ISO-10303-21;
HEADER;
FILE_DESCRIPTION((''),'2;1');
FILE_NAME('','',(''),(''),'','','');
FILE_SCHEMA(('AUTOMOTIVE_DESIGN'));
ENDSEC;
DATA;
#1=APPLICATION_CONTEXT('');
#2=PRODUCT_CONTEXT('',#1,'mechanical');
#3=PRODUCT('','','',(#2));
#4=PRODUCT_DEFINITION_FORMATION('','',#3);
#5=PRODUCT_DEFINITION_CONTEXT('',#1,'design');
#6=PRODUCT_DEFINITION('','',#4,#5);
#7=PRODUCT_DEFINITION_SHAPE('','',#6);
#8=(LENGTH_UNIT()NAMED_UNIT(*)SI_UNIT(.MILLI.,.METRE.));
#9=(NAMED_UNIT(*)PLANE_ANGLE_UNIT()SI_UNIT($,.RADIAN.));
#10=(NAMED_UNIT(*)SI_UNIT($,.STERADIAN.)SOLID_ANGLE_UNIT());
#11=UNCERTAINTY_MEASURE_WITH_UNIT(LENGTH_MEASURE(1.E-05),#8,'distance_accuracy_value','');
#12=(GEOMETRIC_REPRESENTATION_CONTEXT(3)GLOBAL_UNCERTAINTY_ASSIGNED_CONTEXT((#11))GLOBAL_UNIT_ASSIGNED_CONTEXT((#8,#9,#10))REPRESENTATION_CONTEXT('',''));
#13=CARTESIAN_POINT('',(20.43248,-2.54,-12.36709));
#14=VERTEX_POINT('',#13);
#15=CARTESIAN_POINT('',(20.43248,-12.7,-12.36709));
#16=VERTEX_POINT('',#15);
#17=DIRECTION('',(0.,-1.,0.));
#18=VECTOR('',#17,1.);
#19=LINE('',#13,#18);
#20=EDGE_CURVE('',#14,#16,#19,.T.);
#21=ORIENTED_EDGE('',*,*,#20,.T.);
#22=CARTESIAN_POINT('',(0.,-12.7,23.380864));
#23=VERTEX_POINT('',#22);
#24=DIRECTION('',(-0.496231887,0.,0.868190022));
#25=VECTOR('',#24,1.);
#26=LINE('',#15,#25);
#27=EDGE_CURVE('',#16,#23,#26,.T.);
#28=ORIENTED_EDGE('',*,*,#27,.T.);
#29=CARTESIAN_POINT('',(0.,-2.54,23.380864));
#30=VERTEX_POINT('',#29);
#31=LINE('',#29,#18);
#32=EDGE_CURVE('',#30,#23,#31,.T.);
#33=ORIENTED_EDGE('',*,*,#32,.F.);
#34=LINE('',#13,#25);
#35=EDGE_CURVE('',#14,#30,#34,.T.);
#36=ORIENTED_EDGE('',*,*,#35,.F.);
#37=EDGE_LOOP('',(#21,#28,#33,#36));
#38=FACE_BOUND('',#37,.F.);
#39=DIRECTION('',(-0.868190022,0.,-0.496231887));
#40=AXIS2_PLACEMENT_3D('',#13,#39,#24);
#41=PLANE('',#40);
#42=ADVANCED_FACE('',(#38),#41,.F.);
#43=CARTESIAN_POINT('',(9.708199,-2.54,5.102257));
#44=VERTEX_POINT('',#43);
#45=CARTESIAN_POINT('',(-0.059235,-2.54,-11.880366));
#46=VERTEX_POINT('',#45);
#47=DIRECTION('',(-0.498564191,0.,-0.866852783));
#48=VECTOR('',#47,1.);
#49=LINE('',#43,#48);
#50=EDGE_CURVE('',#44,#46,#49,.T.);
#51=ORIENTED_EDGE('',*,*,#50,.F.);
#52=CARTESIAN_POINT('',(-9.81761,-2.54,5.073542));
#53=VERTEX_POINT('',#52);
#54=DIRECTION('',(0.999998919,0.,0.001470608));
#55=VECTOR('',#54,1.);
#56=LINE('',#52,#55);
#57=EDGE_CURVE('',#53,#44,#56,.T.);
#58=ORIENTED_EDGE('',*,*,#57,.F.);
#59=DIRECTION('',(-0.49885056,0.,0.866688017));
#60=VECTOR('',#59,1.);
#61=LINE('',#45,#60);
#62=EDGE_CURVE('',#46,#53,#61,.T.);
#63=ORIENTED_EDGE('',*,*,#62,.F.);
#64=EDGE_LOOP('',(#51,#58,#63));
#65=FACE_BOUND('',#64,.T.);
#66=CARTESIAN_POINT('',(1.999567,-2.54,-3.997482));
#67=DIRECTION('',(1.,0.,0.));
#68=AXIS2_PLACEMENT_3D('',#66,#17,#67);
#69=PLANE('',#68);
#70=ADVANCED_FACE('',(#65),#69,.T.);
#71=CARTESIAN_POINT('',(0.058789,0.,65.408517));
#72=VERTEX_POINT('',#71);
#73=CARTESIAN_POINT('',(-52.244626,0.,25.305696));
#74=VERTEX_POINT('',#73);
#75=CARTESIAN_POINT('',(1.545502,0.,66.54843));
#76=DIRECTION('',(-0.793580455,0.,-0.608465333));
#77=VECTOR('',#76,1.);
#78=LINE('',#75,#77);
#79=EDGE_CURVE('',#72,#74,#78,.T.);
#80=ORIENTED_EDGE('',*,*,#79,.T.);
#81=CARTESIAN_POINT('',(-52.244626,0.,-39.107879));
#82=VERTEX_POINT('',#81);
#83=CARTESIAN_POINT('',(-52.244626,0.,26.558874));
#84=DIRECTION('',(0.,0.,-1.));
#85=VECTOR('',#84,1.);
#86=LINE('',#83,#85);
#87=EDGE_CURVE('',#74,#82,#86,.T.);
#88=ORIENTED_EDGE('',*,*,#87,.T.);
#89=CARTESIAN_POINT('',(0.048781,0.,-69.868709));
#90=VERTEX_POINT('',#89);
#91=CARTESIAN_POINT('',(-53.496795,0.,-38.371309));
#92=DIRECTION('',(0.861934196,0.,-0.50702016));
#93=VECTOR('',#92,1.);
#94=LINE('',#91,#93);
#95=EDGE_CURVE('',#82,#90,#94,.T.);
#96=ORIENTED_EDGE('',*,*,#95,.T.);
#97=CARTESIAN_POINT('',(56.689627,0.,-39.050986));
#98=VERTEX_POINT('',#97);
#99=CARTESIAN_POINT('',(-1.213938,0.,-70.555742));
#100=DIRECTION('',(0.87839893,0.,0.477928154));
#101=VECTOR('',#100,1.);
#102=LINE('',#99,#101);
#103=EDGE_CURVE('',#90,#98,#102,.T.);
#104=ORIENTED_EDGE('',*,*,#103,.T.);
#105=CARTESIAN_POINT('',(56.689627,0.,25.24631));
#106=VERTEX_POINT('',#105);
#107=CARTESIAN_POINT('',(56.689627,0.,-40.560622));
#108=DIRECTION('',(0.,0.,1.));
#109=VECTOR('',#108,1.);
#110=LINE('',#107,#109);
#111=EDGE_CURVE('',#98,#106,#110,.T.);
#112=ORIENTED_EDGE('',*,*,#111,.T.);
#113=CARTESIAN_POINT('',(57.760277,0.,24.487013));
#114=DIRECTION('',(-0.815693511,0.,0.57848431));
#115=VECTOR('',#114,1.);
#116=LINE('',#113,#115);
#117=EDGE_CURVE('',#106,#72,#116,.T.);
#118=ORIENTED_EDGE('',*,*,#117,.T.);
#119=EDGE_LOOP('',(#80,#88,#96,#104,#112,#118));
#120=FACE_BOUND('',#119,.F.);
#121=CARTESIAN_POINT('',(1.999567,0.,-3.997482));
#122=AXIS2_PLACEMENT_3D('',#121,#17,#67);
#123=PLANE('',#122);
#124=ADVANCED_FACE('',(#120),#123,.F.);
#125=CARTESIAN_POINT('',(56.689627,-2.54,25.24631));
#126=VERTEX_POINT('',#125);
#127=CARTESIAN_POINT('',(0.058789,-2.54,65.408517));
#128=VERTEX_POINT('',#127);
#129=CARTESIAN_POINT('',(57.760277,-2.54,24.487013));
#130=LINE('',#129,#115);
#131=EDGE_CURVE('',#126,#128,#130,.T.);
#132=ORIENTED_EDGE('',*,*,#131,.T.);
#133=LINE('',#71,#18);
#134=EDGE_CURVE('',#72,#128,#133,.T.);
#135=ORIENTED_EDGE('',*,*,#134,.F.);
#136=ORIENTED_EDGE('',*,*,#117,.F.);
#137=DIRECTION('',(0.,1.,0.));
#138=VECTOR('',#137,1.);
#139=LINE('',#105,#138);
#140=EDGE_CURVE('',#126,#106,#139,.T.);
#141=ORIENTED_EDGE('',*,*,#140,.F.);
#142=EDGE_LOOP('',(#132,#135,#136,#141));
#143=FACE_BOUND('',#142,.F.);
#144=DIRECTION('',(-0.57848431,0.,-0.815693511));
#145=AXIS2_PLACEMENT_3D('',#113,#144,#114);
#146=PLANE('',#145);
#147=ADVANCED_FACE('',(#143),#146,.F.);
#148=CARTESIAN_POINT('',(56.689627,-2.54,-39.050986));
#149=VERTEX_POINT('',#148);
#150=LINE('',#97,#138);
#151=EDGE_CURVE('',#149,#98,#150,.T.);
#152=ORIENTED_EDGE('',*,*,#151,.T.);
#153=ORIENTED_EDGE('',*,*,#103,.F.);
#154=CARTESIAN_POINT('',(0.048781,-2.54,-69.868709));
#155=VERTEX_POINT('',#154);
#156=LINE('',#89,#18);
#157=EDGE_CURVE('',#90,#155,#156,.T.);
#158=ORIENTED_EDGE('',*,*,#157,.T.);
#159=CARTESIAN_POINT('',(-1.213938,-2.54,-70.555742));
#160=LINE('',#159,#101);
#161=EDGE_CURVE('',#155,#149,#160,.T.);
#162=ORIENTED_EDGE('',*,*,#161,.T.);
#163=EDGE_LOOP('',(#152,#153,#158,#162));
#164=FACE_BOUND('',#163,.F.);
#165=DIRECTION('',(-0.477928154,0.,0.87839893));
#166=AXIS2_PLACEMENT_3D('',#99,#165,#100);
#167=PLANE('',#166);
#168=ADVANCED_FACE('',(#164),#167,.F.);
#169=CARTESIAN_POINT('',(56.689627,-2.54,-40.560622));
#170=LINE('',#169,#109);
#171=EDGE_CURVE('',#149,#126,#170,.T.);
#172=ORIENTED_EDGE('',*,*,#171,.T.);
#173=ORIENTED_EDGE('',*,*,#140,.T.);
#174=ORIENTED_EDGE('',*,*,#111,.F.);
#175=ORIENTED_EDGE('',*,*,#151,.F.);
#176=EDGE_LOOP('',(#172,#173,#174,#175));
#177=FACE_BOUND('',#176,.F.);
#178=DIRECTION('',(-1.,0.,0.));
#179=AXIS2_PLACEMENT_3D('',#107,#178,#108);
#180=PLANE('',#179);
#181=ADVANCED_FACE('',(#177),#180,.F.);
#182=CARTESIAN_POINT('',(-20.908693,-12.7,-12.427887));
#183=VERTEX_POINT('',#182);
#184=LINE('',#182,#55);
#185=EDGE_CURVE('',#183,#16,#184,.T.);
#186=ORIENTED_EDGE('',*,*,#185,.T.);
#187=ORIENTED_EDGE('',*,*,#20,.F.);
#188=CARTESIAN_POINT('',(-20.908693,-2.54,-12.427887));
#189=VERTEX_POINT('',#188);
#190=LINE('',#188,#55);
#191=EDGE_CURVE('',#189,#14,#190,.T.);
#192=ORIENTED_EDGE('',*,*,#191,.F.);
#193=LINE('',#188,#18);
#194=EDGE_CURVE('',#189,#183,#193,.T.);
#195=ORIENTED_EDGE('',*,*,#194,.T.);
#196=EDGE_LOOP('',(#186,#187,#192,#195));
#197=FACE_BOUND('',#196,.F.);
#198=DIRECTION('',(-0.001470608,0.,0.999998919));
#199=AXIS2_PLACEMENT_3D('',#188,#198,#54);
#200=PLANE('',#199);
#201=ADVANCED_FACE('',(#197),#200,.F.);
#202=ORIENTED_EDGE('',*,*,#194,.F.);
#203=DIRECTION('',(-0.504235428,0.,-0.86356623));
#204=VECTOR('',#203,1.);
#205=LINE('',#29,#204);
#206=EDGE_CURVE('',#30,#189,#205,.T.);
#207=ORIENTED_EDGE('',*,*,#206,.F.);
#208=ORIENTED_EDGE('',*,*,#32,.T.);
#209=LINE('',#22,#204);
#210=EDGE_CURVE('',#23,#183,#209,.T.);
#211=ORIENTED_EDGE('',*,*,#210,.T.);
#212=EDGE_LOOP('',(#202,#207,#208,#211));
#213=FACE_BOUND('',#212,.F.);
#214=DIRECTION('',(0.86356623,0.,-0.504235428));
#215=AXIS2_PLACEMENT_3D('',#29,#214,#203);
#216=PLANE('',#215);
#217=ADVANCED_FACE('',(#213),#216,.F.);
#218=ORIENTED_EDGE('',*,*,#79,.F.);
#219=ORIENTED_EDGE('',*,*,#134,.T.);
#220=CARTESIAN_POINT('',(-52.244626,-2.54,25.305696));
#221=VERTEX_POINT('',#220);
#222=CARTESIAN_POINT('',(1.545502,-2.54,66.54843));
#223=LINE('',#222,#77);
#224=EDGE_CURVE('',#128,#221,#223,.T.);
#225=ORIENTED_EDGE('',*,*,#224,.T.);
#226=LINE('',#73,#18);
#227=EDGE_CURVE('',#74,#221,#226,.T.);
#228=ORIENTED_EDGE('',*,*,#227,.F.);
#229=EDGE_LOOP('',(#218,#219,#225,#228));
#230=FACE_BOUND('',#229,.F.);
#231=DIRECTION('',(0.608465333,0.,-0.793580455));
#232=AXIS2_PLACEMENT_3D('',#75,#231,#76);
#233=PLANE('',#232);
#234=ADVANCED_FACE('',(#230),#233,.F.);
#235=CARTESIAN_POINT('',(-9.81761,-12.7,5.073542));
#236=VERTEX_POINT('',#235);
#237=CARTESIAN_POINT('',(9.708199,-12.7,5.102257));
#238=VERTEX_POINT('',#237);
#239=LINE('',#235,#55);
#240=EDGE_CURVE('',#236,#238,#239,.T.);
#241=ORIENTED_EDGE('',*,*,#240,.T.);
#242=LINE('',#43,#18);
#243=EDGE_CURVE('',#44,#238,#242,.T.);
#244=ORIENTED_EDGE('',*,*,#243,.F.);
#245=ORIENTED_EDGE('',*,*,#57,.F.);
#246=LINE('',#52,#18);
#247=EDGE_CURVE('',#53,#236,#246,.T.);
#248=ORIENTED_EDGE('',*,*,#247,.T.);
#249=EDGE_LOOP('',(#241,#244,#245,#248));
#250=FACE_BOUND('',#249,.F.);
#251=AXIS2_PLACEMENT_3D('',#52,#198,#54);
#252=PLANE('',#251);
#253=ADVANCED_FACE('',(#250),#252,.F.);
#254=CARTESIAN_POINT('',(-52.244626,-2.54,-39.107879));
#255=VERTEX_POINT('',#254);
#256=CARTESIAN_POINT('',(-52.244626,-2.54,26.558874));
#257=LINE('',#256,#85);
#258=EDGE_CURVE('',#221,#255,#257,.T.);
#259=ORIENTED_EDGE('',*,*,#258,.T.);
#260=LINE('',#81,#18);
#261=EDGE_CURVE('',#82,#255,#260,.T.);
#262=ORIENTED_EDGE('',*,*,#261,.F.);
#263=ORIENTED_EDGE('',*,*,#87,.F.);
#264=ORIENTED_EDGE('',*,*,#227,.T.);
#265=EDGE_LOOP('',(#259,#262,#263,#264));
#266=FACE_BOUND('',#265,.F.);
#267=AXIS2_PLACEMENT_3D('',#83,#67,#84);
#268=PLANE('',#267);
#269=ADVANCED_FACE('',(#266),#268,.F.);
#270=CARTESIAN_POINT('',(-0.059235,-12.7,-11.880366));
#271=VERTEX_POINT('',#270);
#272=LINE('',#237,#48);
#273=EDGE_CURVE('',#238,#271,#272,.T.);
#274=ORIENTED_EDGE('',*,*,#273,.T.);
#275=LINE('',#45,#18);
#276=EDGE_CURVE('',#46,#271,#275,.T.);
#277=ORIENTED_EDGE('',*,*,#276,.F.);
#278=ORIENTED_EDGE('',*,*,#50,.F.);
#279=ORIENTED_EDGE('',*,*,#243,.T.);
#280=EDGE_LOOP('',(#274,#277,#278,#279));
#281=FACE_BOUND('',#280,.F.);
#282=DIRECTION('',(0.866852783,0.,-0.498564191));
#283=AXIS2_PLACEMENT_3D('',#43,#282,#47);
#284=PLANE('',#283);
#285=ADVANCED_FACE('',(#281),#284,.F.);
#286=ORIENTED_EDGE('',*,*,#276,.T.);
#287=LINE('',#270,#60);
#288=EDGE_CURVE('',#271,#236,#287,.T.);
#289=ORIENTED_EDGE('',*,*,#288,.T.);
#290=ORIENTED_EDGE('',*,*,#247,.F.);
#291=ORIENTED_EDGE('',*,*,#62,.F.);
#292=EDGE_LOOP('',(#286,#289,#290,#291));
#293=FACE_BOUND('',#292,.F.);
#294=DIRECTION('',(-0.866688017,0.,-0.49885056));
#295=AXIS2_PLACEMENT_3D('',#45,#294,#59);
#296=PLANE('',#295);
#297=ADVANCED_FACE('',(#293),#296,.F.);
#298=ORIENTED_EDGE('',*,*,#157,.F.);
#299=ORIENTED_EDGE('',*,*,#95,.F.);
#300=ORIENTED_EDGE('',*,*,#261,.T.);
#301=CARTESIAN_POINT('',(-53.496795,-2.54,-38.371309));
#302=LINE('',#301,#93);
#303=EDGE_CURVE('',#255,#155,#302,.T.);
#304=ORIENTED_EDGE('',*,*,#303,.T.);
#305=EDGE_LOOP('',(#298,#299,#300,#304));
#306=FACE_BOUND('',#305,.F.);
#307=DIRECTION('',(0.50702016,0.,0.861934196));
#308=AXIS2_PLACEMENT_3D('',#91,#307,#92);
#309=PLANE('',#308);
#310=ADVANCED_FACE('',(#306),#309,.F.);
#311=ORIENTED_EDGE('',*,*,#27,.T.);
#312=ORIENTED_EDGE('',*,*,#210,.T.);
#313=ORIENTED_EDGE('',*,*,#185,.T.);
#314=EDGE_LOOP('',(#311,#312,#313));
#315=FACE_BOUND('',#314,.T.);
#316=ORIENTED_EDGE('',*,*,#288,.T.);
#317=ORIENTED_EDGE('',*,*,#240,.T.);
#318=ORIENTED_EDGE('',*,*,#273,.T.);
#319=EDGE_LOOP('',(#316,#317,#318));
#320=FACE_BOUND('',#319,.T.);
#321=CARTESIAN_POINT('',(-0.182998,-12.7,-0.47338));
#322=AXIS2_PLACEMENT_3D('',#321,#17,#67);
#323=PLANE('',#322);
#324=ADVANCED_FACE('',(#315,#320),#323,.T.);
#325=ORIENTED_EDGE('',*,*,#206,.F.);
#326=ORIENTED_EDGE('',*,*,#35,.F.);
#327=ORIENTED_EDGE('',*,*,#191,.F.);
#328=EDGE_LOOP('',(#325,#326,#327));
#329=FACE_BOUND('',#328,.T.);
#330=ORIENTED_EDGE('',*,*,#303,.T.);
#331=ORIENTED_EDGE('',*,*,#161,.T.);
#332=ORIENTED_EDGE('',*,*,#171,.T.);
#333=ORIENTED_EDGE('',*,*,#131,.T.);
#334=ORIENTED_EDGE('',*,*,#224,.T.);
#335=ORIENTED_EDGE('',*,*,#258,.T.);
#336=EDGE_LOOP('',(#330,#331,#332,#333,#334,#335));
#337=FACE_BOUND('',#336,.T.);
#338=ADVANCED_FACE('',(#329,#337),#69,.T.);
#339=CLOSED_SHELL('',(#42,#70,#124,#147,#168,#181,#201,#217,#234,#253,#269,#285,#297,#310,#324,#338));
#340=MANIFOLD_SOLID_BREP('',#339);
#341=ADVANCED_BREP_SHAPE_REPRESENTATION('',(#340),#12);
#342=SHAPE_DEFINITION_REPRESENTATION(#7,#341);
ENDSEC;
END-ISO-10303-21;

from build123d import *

# Parameters (mm, degrees)
F1_DEPTH  = 12.7
F2_DEPTH  = 2.54
F3_DEPTH  = 7.62
F4_DEPTH  = 2.54
F5_DEPTH  = 2.54
F6_DEPTH  = 2.54
F7_DEPTH  = 2.54
F8_DEPTH  = 2.54
F9_DEPTH  = 2.54
F11_DEPTH = 10.16


with BuildPart() as f1:
    # F0 (on Front) → F1 (new body)
    with BuildSketch(Plane.XZ):
        Polygon((59.2296272516, 26.558874175), (0, 68.5641244054), (-54.7846257687, 26.558874175), (-54.7846257687, -40.5606217682), (0, -72.7868750691), (59.2296272516, -40.5606217682), align=None)
    extrude(amount=F1_DEPTH)

    # F2 (cut): a face of the model
    f2_faces = [f1.faces().sort_by_distance(p)[0] for p in [
        (1.9587071028, -12.7, -4.2659517496),
    ]]
    extrude(f2_faces, amount=-F2_DEPTH, mode=Mode.SUBTRACT)

    # F3 (cut): a face of the model
    f3_faces = [f1.faces().sort_by_distance(p)[0] for p in [
        (1.9587071028, -10.16, -4.2659517496),
    ]]
    extrude(f3_faces, amount=-F3_DEPTH, mode=Mode.SUBTRACT)

    # F4 (cut): a face of the model
    f4_faces = [f1.faces().sort_by_distance(p)[0] for p in [
        (29.6148136258, -1.27, 47.5614992902),
    ]]
    extrude(f4_faces, amount=-F4_DEPTH, mode=Mode.SUBTRACT)

    # F5 (cut): a face of the model
    f5_faces = [f1.faces().sort_by_distance(p)[0] for p in [
        (-27.3923128843, -1.27, 47.5614992902),
    ]]
    extrude(f5_faces, amount=-F5_DEPTH, mode=Mode.SUBTRACT)

    # F6 (cut): a face of the model
    f6_faces = [f1.faces().sort_by_distance(p)[0] for p in [
        (59.2296272516, -1.27, -7.0008737966),
    ]]
    extrude(f6_faces, amount=-F6_DEPTH, mode=Mode.SUBTRACT)

    # F7 (cut): a face of the model
    f7_faces = [f1.faces().sort_by_distance(p)[0] for p in [
        (-54.7846257687, -1.27, -7.0008737966),
    ]]
    extrude(f7_faces, amount=-F7_DEPTH, mode=Mode.SUBTRACT)

    # F8 (cut): a face of the model
    f8_faces = [f1.faces().sort_by_distance(p)[0] for p in [
        (-27.3923128843, -1.27, -56.6737484187),
    ]]
    extrude(f8_faces, amount=-F8_DEPTH, mode=Mode.SUBTRACT)

    # F9 (cut): a face of the model
    f9_faces = [f1.faces().sort_by_distance(p)[0] for p in [
        (29.6148136258, -1.27, -56.6737484187),
    ]]
    extrude(f9_faces, amount=-F9_DEPTH, mode=Mode.SUBTRACT)

    # F10 (on face) → F11 (join)
    with BuildSketch(Plane.XZ.offset(2.54)):
        Polygon((0, 23.3808644116), (-20.9086928517, -12.427886948), (20.4324796796, -12.3670902103), align=None)
        Polygon((-0.0592354809, -11.8803661317), (-9.8176104948, 5.073542241), (9.7081990615, 5.1022570899), align=None, mode=Mode.SUBTRACT)
    extrude(amount=F11_DEPTH)


solid = f1.part
